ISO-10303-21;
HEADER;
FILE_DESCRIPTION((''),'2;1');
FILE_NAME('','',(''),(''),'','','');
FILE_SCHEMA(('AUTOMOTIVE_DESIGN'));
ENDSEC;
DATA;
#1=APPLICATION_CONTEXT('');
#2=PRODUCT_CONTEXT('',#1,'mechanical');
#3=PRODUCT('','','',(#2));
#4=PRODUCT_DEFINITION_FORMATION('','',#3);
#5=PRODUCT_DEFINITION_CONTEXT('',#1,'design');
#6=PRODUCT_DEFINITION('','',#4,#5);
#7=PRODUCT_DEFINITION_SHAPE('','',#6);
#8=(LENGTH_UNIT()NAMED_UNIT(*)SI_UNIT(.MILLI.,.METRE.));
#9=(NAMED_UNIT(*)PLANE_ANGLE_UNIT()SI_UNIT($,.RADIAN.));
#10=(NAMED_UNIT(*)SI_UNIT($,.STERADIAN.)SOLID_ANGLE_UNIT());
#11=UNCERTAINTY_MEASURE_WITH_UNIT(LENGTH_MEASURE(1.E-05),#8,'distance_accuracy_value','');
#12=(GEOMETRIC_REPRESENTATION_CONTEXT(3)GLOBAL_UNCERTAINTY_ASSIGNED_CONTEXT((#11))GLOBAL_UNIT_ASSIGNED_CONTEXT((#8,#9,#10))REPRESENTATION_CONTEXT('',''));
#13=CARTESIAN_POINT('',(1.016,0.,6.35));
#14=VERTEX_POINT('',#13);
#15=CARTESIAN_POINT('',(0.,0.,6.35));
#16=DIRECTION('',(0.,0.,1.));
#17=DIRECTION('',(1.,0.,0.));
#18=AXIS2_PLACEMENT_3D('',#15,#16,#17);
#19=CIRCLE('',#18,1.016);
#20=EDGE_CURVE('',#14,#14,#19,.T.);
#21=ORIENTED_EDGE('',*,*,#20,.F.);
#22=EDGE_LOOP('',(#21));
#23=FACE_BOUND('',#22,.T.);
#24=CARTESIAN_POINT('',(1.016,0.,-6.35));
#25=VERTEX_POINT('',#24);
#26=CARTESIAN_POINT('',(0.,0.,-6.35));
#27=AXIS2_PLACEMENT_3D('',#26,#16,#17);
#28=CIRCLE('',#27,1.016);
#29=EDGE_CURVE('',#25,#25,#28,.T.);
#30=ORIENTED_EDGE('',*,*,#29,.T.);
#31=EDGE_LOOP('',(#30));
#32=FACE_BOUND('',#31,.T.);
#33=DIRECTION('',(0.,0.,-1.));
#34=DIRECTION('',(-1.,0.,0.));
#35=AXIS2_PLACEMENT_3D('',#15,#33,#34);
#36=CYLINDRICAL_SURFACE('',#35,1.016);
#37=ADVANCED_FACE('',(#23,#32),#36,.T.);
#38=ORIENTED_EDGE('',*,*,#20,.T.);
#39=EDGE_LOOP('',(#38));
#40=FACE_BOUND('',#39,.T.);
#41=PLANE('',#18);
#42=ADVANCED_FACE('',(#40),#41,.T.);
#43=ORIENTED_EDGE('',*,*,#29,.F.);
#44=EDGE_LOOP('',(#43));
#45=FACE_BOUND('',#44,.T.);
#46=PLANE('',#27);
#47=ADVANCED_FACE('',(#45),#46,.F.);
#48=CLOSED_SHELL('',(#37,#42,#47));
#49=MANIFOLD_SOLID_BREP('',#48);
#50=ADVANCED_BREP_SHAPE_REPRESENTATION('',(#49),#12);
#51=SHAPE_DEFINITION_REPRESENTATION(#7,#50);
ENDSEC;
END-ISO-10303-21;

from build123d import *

# Parameters (mm, degrees)
SKETCH2_R           = 1.016
BOSS_EXTRUDE1_DEPTH = 6.35


with BuildPart() as part:
    # Sketch2 → Boss-Extrude1 (new body, symmetric)
    with BuildSketch(Plane.XY):
        Circle(SKETCH2_R)
    extrude(amount=BOSS_EXTRUDE1_DEPTH, both=True)


solid = part.part
